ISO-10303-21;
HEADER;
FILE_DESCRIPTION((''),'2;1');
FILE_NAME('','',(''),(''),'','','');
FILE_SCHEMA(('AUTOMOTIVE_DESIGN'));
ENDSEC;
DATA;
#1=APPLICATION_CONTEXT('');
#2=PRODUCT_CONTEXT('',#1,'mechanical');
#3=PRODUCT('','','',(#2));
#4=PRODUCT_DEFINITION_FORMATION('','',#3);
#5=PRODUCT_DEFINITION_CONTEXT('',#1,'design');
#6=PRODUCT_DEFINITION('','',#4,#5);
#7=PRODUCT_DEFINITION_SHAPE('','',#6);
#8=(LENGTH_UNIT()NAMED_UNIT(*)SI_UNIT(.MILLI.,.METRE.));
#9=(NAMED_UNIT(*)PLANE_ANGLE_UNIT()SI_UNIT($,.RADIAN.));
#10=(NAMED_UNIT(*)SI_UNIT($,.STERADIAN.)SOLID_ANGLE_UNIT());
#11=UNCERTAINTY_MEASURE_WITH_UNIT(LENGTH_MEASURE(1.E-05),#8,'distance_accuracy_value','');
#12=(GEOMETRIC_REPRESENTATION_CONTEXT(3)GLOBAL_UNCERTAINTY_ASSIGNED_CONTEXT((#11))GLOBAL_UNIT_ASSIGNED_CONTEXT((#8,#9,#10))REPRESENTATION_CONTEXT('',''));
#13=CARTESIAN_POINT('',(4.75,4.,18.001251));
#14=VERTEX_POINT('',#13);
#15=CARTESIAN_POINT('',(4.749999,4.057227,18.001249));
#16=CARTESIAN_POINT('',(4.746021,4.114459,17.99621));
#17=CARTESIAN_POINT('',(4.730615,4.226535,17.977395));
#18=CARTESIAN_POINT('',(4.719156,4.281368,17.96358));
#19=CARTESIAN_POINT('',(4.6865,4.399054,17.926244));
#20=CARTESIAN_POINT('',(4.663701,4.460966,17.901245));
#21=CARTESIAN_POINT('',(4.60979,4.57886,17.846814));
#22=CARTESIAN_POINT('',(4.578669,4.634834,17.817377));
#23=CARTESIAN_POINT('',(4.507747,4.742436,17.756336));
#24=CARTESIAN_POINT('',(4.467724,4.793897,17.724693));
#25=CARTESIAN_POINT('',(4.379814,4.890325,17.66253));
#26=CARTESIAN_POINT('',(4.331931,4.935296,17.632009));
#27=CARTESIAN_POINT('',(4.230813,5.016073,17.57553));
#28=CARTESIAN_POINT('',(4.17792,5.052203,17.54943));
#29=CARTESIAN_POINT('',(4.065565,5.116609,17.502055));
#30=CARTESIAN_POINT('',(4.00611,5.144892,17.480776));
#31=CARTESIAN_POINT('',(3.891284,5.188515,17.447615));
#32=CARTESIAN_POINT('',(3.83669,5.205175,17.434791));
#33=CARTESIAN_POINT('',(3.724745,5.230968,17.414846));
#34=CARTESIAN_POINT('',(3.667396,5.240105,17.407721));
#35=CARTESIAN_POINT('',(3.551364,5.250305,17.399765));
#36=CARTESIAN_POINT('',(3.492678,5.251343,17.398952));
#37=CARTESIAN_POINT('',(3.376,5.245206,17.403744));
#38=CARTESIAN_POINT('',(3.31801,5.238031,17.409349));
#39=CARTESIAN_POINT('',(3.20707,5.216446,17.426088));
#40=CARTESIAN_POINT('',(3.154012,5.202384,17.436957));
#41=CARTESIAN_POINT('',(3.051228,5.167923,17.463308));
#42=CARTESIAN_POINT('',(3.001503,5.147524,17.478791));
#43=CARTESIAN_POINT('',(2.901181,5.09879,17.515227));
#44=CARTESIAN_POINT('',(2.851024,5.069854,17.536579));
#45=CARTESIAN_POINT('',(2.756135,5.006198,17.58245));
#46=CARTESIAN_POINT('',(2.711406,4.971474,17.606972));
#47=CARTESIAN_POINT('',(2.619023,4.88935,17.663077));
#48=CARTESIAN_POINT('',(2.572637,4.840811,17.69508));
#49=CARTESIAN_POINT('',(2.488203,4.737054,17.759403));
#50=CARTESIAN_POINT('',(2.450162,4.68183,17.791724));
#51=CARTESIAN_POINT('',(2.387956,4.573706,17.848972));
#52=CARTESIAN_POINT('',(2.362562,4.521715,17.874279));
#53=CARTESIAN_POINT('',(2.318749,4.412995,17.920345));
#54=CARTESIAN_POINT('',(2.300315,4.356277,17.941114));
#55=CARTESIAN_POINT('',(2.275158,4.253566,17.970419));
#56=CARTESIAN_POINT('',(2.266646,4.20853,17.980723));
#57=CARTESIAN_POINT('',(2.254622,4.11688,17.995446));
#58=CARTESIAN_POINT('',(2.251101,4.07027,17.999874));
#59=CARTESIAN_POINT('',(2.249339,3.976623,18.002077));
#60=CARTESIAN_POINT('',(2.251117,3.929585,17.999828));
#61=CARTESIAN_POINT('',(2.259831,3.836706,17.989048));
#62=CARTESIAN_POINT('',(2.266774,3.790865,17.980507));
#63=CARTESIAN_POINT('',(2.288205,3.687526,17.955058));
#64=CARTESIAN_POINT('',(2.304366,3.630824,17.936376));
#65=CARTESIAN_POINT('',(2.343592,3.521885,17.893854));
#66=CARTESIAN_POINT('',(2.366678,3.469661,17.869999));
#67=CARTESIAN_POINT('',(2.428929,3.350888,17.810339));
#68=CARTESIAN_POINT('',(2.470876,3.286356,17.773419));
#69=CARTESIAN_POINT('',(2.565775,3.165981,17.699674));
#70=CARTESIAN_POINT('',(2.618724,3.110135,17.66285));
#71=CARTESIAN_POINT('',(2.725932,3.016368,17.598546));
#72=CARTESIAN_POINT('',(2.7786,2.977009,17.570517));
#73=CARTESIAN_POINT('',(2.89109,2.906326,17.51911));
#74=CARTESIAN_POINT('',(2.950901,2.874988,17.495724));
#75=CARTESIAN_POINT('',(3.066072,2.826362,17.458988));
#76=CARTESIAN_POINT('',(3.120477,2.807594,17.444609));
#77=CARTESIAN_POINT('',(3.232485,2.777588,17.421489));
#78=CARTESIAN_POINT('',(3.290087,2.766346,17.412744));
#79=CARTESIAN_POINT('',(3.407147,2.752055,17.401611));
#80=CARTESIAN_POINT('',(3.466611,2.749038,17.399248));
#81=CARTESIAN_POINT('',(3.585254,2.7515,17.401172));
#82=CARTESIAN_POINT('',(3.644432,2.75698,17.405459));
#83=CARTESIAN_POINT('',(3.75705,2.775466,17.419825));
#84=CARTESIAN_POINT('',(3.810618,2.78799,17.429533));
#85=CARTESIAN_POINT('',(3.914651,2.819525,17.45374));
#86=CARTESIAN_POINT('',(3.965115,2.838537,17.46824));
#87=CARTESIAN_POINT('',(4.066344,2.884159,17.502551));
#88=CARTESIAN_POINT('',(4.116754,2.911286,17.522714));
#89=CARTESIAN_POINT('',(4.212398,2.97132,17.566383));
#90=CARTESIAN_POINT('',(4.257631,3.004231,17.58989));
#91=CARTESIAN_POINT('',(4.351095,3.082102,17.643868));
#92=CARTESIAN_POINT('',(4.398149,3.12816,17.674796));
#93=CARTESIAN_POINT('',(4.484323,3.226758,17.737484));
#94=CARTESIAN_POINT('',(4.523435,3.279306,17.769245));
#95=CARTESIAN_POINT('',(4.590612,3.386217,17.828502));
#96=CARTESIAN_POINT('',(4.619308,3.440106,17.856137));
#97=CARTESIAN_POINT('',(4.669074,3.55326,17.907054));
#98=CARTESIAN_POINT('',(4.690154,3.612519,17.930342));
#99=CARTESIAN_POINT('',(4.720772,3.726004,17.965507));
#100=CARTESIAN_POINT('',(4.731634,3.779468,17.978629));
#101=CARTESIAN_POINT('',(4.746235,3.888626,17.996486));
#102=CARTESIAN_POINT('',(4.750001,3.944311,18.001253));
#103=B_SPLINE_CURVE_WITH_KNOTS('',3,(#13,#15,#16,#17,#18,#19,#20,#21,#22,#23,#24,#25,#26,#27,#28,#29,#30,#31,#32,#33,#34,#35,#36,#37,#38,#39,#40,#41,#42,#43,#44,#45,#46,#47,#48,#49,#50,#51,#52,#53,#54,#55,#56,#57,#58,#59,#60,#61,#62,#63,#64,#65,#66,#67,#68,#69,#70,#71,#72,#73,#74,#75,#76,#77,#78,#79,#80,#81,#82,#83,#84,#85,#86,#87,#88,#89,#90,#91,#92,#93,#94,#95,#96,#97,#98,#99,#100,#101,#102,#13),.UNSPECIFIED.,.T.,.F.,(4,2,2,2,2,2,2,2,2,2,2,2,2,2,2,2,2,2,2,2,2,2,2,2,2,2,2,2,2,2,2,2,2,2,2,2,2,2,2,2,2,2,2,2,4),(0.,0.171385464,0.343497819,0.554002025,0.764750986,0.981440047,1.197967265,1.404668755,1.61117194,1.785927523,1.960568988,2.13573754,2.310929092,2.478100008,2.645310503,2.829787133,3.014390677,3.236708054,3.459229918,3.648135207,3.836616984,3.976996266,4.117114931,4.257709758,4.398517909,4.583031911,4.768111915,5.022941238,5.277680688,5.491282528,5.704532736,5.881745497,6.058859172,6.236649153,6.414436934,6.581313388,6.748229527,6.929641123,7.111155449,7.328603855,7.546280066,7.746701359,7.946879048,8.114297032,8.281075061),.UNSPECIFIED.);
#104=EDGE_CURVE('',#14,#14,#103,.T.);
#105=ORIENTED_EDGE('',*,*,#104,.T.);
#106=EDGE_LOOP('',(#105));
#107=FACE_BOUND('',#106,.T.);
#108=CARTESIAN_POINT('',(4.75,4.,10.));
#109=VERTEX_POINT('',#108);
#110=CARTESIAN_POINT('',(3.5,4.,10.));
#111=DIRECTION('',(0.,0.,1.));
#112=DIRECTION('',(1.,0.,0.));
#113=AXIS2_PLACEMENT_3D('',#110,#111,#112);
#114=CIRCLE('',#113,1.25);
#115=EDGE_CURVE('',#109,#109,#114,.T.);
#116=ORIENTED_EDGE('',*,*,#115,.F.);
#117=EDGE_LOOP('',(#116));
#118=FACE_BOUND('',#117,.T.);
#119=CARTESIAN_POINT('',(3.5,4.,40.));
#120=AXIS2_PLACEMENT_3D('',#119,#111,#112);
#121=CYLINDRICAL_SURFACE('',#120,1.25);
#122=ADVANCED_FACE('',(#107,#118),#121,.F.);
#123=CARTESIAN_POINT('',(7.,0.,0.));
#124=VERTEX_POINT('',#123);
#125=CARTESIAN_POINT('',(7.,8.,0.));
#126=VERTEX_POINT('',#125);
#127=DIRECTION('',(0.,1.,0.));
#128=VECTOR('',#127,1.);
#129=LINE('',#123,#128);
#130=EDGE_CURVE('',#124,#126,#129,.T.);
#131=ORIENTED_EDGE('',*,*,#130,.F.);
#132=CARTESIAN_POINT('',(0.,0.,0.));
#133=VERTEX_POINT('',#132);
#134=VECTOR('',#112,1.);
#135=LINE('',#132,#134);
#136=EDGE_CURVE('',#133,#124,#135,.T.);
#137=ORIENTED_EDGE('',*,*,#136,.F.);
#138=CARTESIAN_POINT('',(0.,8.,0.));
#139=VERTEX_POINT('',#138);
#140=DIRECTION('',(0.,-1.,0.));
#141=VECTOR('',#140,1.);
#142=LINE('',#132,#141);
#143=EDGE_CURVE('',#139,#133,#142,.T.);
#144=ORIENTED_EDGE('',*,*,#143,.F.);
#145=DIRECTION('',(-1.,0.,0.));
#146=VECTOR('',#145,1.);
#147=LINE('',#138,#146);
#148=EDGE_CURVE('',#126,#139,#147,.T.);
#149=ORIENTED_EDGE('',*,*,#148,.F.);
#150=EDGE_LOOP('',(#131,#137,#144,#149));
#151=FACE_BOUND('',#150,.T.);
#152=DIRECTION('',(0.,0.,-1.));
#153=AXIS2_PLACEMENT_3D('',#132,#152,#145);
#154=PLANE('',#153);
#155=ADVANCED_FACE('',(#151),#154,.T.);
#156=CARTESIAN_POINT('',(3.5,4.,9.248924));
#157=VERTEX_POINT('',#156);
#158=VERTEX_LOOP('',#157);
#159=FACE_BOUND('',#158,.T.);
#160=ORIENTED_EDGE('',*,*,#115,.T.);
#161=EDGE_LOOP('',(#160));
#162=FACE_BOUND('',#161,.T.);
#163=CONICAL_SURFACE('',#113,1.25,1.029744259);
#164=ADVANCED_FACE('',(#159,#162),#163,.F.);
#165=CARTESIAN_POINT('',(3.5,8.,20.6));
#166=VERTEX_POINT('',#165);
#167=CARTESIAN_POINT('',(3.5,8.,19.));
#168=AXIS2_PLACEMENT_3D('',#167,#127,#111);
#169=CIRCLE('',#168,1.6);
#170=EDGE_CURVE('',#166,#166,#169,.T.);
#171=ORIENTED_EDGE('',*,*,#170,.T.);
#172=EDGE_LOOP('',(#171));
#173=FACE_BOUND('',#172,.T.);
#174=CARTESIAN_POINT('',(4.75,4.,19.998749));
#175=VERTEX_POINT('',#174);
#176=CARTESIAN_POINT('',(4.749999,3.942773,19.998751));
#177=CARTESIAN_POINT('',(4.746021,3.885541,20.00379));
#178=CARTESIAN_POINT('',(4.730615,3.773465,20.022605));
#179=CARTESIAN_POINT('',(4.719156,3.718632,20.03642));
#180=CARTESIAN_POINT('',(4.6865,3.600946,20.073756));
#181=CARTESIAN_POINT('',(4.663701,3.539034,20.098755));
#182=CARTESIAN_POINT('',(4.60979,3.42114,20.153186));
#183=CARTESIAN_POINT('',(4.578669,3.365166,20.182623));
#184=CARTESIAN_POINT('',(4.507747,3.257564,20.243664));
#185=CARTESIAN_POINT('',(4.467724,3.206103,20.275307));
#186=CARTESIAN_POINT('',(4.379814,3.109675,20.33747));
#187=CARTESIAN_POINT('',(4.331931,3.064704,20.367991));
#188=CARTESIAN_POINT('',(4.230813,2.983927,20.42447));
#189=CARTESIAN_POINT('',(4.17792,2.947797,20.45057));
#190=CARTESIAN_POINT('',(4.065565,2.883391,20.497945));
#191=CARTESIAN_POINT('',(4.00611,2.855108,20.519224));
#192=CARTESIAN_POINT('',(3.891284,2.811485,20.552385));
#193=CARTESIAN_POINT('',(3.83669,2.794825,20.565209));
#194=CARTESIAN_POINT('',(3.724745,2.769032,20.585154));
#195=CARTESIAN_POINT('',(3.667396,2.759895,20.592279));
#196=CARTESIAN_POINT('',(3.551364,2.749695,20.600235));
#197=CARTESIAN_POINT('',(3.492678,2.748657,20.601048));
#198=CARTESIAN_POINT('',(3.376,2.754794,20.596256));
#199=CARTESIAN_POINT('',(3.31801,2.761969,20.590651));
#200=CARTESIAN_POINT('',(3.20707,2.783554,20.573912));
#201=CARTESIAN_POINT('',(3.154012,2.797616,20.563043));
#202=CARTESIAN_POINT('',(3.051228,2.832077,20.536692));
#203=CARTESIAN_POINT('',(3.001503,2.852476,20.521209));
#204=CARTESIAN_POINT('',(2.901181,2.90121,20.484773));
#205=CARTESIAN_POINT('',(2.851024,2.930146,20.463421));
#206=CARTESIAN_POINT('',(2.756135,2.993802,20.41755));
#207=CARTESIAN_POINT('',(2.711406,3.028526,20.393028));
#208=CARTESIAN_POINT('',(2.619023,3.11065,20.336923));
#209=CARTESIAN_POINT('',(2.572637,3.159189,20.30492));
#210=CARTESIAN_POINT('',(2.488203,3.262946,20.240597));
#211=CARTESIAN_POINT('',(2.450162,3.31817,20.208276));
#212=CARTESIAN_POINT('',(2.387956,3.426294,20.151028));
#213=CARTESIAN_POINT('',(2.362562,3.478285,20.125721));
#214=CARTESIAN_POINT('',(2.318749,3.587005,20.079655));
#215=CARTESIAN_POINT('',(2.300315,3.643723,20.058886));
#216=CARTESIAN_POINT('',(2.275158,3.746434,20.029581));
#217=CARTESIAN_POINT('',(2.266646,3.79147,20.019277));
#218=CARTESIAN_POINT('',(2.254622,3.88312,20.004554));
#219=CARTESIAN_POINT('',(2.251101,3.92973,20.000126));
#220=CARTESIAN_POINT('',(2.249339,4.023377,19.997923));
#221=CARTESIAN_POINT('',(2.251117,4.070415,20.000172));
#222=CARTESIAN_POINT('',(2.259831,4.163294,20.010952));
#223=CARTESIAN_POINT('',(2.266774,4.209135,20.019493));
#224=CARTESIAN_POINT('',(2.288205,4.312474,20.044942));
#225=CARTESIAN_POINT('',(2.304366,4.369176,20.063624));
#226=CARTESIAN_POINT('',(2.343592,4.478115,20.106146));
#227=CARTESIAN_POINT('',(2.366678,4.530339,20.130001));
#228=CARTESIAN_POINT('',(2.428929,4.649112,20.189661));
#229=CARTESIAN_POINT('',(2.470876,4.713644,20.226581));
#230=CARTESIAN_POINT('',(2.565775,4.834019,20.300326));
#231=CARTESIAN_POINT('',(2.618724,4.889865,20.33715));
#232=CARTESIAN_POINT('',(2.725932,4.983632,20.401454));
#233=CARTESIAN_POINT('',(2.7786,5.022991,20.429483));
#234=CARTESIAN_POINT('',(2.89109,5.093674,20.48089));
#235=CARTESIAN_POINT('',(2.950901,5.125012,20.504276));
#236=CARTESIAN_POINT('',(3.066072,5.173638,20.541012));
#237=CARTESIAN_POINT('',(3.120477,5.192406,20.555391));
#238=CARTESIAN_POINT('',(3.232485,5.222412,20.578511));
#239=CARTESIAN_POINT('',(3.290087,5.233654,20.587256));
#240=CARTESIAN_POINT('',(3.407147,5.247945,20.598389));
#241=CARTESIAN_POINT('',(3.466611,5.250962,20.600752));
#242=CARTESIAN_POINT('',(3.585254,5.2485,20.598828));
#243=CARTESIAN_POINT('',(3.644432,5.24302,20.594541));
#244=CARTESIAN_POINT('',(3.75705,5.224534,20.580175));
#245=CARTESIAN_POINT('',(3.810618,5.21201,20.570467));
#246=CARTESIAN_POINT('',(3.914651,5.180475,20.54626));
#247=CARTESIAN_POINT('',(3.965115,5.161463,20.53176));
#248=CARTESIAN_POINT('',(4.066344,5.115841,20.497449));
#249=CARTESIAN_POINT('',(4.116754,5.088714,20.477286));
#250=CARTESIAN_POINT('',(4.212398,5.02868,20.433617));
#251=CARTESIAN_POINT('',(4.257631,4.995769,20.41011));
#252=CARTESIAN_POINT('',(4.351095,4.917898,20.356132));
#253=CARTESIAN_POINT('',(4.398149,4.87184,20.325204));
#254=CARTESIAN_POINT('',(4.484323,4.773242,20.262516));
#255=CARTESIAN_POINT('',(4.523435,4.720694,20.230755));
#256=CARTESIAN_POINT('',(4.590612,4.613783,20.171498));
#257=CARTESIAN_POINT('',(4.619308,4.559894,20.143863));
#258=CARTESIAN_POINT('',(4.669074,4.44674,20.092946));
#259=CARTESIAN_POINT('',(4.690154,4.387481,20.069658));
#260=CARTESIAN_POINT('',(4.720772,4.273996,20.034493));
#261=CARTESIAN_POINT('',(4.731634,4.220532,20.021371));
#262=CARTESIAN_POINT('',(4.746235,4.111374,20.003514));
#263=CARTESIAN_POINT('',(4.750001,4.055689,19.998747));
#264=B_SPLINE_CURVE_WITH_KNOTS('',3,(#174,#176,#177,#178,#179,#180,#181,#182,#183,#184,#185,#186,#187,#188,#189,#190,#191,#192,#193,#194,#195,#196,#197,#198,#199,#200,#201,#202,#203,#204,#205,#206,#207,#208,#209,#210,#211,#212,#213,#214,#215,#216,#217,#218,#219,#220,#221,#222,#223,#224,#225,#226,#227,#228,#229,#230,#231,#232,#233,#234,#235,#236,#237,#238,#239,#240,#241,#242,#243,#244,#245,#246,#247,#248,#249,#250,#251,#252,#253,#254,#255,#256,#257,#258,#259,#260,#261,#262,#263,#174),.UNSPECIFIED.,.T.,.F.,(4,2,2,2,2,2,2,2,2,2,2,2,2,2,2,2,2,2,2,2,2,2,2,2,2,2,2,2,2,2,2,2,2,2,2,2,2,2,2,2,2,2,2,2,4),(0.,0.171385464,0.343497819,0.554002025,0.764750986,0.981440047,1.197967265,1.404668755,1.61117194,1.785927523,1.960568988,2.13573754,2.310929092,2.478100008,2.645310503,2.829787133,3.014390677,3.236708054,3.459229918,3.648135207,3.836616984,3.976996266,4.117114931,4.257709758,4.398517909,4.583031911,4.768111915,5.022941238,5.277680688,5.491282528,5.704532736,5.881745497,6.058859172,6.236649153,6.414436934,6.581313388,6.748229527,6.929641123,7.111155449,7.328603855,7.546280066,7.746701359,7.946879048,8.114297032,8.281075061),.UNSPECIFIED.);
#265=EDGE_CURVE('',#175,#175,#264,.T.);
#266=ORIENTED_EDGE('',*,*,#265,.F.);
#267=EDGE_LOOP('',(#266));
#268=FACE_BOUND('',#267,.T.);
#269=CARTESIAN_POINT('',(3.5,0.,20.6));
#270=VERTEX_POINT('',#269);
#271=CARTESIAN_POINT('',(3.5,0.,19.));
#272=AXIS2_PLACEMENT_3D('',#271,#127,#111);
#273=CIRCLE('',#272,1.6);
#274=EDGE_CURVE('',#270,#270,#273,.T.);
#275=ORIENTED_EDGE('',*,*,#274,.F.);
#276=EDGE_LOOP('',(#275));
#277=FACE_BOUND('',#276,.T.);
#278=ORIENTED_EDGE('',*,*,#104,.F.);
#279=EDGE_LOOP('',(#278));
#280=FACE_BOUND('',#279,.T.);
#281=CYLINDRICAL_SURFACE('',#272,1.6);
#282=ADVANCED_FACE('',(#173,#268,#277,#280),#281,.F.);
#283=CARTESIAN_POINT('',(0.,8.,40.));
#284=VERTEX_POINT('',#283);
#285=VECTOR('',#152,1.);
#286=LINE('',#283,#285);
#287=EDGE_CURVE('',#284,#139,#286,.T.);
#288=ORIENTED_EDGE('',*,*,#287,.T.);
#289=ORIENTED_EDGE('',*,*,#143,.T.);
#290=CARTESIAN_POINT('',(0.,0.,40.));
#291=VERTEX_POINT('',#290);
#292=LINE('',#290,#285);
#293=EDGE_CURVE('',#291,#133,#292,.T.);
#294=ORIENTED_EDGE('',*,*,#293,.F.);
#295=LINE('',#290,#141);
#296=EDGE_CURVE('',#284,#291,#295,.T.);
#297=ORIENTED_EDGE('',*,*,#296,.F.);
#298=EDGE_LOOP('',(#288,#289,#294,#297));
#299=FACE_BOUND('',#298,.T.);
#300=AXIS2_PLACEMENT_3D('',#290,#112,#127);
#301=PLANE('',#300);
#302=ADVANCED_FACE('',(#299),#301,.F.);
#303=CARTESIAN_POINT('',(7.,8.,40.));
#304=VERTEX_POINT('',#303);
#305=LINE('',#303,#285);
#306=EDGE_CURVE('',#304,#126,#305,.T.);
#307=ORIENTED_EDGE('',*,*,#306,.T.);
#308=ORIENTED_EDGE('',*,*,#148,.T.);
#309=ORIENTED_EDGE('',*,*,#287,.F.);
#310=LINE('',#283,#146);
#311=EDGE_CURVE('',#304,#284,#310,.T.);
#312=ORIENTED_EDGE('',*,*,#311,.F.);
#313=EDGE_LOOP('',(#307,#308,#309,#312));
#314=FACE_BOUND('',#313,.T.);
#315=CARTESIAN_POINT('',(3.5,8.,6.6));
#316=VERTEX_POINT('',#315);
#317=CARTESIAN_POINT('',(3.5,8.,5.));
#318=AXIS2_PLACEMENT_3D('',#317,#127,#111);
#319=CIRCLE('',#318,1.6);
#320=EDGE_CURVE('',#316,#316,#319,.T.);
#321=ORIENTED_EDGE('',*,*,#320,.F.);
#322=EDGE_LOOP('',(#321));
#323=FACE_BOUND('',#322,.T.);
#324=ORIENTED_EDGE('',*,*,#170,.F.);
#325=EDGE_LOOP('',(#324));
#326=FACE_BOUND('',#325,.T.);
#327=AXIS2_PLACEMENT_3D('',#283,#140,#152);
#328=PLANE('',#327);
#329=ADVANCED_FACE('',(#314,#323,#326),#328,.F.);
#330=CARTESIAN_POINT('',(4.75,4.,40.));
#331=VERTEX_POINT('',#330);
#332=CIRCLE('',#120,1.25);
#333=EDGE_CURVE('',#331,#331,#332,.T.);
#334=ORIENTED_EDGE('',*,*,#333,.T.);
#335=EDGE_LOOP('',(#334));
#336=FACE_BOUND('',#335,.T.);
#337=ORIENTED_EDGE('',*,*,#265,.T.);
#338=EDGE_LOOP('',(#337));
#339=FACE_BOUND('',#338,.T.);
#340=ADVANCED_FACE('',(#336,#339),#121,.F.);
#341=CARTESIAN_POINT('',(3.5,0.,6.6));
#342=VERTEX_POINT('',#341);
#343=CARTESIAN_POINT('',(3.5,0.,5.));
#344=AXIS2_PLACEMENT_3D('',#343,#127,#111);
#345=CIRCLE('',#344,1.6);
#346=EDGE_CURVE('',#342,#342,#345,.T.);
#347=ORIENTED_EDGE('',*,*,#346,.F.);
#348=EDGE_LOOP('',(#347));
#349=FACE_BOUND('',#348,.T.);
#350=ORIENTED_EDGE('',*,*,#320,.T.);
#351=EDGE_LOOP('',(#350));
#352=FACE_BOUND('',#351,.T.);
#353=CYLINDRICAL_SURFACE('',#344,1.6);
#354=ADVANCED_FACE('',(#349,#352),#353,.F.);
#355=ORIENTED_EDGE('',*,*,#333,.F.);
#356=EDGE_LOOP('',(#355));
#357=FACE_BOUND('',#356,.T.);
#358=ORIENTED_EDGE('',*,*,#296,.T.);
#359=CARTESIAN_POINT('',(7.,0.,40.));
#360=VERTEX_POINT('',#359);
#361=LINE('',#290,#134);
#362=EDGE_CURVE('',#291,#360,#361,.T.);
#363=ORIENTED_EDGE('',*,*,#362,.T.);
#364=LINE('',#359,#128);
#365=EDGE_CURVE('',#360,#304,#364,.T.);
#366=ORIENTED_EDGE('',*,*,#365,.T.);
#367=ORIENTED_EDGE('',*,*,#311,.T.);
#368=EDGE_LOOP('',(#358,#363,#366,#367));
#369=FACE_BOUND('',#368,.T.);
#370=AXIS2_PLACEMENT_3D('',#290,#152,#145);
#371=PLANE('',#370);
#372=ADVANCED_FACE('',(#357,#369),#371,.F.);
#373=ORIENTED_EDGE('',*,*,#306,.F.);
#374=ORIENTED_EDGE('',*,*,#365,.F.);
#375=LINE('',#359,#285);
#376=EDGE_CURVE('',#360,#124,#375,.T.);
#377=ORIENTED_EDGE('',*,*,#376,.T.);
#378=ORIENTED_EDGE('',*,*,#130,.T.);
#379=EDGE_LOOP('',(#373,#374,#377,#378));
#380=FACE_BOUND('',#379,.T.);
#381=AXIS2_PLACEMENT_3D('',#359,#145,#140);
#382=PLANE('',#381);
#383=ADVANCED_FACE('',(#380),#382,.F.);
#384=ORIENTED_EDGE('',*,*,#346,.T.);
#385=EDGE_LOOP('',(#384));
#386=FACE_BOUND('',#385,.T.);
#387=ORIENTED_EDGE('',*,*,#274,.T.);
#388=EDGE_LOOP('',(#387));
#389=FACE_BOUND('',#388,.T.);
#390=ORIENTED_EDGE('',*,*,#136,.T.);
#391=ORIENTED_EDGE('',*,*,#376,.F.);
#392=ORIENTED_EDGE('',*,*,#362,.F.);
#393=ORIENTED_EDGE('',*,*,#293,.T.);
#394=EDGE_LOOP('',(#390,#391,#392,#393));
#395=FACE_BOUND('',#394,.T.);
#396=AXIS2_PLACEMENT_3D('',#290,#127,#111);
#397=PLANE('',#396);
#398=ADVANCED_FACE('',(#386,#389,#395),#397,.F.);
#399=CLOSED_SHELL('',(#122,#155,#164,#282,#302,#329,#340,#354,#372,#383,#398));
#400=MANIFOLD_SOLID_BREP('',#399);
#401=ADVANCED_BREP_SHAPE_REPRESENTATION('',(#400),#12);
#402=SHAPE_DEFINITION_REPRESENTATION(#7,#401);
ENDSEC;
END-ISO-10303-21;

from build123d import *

# Parameters (mm, degrees)
ESQUISSE1_W                                   = 7
ESQUISSE1_H                                   = 8
BOSS_EXTRU_1_DEPTH                            = 40
TROU_POUR_TARAUDAGE_POUR_TROU_TARAUD_M3_D     = 2.5
TROU_POUR_TARAUDAGE_POUR_TROU_TARAUD_M3_DEPTH = 30
TROU_POUR_TARAUDAGE_POUR_TROU_TARAUD_M3_TIP   = 0.751075774
ESQUISSE4_R                                   = 1.6
ENL_V_MAT_EXTRU_1_DEPTH                       = 42.388404173


with BuildPart() as part:
    # Esquisse1 → Boss.-Extru.1 (new body)
    with BuildSketch(Plane.XY):
        with Locations((3.5, 4)):
            Rectangle(ESQUISSE1_W, ESQUISSE1_H)
    extrude(amount=BOSS_EXTRU_1_DEPTH)

    # Trou pour taraudage pour trou taraudé M31
    with Locations(Plane.XY.offset(40)):
        with Locations((3.5, 4)):
            Hole(TROU_POUR_TARAUDAGE_POUR_TROU_TARAUD_M3_D / 2, depth=TROU_POUR_TARAUDAGE_POUR_TROU_TARAUD_M3_DEPTH)
            with Locations((0, 0, -(TROU_POUR_TARAUDAGE_POUR_TROU_TARAUD_M3_DEPTH + TROU_POUR_TARAUDAGE_POUR_TROU_TARAUD_M3_TIP / 2))):  # 118° drill point
                Cone(0, TROU_POUR_TARAUDAGE_POUR_TROU_TARAUD_M3_D / 2, TROU_POUR_TARAUDAGE_POUR_TROU_TARAUD_M3_TIP, mode=Mode.SUBTRACT)

    # Esquisse4 → Enlèv. mat.-Extru.1 (cut, through all)
    with BuildSketch(Plane(origin=(0, 8, 0), x_dir=(1, 0, 0), z_dir=(0, 1, 0))):
        with Locations(Location((3.5, -5, 0), (0, 0, 270))):
            Circle(ESQUISSE4_R)
        with Locations(Location((3.5, -19, 0), (0, 0, 270))):
            Circle(ESQUISSE4_R)
    extrude(amount=-ENL_V_MAT_EXTRU_1_DEPTH, mode=Mode.SUBTRACT)


solid = part.part
